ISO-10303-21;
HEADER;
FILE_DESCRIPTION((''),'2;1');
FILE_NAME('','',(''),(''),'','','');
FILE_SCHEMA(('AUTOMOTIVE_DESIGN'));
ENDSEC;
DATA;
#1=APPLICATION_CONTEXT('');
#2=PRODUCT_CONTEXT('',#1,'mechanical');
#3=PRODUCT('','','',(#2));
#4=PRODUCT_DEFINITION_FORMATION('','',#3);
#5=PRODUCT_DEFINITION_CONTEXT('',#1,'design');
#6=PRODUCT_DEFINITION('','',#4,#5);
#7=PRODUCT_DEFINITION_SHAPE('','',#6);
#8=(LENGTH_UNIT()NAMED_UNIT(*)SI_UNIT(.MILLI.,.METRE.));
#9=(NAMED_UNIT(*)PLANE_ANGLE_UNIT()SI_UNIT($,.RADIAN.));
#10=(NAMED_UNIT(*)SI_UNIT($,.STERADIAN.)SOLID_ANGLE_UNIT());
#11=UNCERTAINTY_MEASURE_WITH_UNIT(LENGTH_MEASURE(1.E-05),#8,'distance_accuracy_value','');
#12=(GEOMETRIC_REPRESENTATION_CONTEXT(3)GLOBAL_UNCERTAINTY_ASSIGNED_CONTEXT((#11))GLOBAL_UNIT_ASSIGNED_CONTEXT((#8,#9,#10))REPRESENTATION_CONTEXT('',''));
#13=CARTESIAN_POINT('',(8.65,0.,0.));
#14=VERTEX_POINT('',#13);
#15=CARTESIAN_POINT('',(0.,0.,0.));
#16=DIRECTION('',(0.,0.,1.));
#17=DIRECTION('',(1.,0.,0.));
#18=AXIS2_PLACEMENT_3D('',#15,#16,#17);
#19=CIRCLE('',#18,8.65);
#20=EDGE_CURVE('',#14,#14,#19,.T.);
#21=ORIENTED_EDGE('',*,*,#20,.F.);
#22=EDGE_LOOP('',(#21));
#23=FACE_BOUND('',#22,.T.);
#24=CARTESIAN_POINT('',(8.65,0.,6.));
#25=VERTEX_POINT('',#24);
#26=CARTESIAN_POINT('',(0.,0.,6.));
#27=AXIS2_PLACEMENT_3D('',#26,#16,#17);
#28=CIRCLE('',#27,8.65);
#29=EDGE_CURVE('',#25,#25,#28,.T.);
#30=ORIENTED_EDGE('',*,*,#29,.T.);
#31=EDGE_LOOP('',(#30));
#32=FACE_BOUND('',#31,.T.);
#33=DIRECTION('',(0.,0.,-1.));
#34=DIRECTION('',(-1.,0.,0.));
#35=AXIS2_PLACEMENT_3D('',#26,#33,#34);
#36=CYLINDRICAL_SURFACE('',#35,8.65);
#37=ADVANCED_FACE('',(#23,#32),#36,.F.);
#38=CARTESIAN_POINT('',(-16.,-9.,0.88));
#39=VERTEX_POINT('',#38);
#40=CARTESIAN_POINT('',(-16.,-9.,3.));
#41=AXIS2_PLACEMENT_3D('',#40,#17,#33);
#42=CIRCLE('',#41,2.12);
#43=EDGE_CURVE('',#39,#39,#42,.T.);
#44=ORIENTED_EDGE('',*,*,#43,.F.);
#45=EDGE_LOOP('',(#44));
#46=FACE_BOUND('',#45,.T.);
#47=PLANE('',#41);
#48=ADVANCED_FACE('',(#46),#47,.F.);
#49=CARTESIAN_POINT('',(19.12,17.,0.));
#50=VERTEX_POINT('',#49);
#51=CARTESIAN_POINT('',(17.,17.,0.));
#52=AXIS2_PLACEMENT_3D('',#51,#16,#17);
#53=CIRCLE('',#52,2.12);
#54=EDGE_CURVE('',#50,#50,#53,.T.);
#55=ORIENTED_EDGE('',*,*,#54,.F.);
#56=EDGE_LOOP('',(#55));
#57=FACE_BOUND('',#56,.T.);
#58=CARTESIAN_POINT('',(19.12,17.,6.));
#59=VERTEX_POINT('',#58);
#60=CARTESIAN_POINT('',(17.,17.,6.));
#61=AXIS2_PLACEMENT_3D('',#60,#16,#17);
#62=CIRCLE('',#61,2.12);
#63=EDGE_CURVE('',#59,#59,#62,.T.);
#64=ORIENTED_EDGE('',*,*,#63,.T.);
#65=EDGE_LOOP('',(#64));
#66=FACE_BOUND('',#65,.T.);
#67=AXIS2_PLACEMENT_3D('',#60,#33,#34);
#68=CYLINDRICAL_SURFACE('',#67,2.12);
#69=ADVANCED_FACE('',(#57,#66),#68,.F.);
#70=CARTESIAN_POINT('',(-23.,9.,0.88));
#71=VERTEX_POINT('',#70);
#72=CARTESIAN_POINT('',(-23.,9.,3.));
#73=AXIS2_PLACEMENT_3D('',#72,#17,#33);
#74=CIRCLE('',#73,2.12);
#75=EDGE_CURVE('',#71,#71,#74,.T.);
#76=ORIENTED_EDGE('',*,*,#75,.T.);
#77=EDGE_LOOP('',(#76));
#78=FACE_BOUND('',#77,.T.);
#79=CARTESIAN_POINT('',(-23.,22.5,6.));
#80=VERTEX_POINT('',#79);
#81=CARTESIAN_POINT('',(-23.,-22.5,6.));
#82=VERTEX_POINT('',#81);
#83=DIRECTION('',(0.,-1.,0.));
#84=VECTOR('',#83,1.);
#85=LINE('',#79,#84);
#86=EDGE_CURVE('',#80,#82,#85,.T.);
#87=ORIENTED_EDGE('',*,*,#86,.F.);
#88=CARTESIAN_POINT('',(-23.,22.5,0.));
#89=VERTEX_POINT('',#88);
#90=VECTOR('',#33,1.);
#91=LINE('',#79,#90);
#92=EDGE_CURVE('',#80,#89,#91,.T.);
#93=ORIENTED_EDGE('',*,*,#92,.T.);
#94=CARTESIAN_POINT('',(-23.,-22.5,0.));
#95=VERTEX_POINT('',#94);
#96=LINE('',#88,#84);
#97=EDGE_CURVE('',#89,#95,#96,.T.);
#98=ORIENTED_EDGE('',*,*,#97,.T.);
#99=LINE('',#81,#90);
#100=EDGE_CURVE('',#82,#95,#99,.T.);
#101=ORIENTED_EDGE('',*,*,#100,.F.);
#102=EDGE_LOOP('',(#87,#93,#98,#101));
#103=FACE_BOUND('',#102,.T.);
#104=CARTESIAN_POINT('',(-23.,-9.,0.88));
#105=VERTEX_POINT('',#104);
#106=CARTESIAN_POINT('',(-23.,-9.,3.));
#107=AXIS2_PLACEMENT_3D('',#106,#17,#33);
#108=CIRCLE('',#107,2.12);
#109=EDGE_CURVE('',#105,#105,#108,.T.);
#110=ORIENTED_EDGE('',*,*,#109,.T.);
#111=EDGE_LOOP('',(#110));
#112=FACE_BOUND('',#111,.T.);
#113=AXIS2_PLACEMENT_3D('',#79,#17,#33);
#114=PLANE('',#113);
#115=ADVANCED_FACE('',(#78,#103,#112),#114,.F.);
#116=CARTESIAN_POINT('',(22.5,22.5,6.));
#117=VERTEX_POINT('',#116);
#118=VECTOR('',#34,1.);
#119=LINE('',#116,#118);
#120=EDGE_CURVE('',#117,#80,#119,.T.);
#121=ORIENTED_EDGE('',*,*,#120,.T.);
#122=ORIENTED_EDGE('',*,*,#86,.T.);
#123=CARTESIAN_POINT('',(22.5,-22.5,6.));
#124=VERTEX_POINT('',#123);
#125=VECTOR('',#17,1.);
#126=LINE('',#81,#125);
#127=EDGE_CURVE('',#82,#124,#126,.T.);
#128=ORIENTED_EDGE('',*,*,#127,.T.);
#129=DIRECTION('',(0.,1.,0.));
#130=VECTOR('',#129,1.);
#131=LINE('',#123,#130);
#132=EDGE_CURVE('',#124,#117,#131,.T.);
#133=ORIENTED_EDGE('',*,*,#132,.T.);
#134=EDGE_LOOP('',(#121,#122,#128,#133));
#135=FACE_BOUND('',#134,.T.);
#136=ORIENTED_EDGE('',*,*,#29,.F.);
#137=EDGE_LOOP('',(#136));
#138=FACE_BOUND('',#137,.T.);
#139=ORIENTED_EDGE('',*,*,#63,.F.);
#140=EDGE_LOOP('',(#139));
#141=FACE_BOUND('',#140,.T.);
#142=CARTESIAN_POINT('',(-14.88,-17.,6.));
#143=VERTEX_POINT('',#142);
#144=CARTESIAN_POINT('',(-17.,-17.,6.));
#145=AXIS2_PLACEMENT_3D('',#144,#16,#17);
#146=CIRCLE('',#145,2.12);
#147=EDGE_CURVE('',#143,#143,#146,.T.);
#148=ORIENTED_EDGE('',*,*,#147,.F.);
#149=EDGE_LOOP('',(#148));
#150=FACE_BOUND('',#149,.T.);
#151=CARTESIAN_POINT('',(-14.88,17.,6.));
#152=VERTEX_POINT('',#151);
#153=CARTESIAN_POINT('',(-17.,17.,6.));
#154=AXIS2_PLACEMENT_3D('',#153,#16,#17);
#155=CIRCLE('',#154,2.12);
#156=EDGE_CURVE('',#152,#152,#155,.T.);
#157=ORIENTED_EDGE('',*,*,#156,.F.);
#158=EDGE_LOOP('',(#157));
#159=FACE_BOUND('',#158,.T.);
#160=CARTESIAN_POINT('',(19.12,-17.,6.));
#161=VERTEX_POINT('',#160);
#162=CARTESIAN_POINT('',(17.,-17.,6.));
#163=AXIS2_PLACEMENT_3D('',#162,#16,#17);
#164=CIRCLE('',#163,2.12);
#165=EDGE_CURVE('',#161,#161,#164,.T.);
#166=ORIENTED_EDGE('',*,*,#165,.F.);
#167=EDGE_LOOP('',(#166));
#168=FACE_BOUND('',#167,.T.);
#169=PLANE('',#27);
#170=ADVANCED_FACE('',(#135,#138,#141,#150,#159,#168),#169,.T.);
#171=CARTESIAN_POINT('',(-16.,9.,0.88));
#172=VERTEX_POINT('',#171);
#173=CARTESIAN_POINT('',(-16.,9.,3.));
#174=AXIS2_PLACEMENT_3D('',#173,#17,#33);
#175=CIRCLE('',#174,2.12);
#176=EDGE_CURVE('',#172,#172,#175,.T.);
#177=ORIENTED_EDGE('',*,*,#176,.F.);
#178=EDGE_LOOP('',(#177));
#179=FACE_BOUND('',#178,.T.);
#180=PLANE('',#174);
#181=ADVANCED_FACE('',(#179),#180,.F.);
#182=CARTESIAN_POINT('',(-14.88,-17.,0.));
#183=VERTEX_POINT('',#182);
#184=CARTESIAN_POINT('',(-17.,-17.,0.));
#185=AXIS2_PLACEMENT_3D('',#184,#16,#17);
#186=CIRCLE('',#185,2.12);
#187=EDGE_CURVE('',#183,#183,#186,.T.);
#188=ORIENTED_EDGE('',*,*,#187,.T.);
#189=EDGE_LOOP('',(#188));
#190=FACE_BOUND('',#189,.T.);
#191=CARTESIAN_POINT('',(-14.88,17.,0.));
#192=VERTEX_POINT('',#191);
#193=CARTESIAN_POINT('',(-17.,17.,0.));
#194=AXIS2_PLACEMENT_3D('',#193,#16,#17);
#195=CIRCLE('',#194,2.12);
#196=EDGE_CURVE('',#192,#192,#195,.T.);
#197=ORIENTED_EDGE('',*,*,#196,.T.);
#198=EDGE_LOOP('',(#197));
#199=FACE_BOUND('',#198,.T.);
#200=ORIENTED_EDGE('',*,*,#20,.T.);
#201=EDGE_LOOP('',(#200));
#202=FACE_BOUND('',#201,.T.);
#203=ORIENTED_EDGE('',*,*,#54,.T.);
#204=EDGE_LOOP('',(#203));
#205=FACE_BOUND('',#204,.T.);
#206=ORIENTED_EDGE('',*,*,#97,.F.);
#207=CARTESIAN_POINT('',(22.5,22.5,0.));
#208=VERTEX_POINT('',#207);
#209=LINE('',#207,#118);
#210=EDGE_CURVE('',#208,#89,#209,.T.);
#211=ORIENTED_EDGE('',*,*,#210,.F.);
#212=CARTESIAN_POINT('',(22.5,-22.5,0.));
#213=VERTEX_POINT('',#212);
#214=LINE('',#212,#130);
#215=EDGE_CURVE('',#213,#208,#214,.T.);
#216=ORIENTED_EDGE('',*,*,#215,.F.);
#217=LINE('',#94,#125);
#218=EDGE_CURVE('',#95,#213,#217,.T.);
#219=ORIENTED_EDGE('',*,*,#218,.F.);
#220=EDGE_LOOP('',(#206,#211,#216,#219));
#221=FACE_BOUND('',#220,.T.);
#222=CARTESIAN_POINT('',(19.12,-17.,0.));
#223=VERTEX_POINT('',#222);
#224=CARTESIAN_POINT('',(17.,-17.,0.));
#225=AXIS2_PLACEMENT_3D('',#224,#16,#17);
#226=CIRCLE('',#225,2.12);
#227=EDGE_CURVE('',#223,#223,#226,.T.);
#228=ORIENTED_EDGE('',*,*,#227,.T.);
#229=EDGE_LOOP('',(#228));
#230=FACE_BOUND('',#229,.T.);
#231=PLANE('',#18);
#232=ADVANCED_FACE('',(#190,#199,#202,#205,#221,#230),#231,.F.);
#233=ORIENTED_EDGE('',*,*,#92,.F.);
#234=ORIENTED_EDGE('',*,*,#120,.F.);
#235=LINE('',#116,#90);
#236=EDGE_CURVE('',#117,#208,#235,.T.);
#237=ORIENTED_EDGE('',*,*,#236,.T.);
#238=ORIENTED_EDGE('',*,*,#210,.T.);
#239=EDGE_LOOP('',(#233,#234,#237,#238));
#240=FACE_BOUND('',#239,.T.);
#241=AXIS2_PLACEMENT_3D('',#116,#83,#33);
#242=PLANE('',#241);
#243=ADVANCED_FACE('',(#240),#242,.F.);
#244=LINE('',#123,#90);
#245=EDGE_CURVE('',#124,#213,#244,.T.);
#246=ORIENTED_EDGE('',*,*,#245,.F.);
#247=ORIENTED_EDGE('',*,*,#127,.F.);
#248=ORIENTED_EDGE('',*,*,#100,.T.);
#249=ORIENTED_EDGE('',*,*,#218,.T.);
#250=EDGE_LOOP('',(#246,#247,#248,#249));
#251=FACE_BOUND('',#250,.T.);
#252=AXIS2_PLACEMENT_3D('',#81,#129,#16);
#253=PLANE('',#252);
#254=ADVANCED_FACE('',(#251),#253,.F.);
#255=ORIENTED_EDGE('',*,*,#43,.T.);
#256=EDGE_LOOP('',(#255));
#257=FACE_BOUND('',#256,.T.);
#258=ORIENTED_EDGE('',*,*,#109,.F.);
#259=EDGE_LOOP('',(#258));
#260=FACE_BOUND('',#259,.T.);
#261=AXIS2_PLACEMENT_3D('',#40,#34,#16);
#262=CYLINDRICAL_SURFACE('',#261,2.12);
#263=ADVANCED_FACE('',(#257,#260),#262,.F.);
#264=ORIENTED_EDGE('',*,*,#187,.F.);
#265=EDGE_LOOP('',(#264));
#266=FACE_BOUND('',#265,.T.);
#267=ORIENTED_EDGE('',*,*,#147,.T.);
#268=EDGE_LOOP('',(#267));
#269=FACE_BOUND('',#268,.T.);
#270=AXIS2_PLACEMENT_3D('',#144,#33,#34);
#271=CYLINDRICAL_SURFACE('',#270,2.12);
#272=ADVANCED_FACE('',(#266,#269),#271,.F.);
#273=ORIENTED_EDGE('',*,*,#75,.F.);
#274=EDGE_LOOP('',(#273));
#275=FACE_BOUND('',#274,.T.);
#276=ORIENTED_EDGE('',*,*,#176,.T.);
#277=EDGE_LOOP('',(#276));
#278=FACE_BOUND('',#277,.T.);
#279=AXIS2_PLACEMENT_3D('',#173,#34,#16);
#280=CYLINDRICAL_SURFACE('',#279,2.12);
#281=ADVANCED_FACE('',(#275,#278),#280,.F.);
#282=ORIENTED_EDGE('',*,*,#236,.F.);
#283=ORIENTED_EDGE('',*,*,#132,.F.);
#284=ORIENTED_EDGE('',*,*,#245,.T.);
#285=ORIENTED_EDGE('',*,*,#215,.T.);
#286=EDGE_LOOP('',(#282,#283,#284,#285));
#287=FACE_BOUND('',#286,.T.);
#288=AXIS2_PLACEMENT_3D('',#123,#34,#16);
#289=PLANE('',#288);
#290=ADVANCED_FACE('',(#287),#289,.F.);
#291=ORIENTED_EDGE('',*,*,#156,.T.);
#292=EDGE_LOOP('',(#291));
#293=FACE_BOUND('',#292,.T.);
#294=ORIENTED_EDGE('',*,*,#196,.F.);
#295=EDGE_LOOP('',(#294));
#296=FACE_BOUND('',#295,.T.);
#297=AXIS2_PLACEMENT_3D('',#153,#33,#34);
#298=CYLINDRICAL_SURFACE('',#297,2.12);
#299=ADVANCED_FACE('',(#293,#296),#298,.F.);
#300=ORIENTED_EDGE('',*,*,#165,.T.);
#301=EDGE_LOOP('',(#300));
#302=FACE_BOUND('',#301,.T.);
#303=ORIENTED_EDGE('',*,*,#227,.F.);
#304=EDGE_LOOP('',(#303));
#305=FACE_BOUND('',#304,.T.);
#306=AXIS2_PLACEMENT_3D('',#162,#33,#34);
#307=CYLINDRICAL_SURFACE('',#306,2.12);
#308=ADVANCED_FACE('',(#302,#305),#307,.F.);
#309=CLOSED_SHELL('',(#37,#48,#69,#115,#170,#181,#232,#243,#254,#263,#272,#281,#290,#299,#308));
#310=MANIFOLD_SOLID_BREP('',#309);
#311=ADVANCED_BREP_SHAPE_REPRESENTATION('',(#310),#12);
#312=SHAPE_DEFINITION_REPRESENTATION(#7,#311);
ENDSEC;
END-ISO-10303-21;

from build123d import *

# Parameters (mm, degrees)
SKETCH1_W                                     = 45.5
SKETCH1_H                                     = 45
SKETCH1_R                                     = 8.65
SKETCH1_R_2                                   = 2.12
SIX_MM_HEAD_PLATE_BOLTS_TO_34_MM_SQUARE_DEPTH = 6
MOUNTING_START                                = -23
SKETCH2_R                                     = 2.12
MOUNTING_TOE_TAPPED_FROM_BOTTOM_DEPTH         = 7


with BuildPart() as part:
    # Sketch1 → Six mm head plate bolts to 34 mm square pattern (new body)
    with BuildSketch(Plane.XY):
        with Locations((-0.25, 0)):
            Rectangle(SKETCH1_W, SKETCH1_H)
        Circle(SKETCH1_R, mode=Mode.SUBTRACT)
        with Locations((-17, -17)):
            Circle(SKETCH1_R_2, mode=Mode.SUBTRACT)
        with Locations((-17, 17)):
            Circle(SKETCH1_R_2, mode=Mode.SUBTRACT)
        with Locations((17, -17)):
            Circle(SKETCH1_R_2, mode=Mode.SUBTRACT)
        with Locations((17, 17)):
            Circle(SKETCH1_R_2, mode=Mode.SUBTRACT)
    extrude(amount=SIX_MM_HEAD_PLATE_BOLTS_TO_34_MM_SQUARE_DEPTH)

    # Sketch2 → Mounting toe tapped from bottom (cut)
    with BuildSketch(Plane(origin=(0, 0, 0), x_dir=(0, 0, -1), z_dir=(1, 0, 0)).offset(MOUNTING_START)):
        with Locations((-3, -9)):
            Circle(SKETCH2_R)
        with Locations((-3, 9)):
            Circle(SKETCH2_R)
    extrude(amount=MOUNTING_TOE_TAPPED_FROM_BOTTOM_DEPTH, mode=Mode.SUBTRACT)


solid = part.part
